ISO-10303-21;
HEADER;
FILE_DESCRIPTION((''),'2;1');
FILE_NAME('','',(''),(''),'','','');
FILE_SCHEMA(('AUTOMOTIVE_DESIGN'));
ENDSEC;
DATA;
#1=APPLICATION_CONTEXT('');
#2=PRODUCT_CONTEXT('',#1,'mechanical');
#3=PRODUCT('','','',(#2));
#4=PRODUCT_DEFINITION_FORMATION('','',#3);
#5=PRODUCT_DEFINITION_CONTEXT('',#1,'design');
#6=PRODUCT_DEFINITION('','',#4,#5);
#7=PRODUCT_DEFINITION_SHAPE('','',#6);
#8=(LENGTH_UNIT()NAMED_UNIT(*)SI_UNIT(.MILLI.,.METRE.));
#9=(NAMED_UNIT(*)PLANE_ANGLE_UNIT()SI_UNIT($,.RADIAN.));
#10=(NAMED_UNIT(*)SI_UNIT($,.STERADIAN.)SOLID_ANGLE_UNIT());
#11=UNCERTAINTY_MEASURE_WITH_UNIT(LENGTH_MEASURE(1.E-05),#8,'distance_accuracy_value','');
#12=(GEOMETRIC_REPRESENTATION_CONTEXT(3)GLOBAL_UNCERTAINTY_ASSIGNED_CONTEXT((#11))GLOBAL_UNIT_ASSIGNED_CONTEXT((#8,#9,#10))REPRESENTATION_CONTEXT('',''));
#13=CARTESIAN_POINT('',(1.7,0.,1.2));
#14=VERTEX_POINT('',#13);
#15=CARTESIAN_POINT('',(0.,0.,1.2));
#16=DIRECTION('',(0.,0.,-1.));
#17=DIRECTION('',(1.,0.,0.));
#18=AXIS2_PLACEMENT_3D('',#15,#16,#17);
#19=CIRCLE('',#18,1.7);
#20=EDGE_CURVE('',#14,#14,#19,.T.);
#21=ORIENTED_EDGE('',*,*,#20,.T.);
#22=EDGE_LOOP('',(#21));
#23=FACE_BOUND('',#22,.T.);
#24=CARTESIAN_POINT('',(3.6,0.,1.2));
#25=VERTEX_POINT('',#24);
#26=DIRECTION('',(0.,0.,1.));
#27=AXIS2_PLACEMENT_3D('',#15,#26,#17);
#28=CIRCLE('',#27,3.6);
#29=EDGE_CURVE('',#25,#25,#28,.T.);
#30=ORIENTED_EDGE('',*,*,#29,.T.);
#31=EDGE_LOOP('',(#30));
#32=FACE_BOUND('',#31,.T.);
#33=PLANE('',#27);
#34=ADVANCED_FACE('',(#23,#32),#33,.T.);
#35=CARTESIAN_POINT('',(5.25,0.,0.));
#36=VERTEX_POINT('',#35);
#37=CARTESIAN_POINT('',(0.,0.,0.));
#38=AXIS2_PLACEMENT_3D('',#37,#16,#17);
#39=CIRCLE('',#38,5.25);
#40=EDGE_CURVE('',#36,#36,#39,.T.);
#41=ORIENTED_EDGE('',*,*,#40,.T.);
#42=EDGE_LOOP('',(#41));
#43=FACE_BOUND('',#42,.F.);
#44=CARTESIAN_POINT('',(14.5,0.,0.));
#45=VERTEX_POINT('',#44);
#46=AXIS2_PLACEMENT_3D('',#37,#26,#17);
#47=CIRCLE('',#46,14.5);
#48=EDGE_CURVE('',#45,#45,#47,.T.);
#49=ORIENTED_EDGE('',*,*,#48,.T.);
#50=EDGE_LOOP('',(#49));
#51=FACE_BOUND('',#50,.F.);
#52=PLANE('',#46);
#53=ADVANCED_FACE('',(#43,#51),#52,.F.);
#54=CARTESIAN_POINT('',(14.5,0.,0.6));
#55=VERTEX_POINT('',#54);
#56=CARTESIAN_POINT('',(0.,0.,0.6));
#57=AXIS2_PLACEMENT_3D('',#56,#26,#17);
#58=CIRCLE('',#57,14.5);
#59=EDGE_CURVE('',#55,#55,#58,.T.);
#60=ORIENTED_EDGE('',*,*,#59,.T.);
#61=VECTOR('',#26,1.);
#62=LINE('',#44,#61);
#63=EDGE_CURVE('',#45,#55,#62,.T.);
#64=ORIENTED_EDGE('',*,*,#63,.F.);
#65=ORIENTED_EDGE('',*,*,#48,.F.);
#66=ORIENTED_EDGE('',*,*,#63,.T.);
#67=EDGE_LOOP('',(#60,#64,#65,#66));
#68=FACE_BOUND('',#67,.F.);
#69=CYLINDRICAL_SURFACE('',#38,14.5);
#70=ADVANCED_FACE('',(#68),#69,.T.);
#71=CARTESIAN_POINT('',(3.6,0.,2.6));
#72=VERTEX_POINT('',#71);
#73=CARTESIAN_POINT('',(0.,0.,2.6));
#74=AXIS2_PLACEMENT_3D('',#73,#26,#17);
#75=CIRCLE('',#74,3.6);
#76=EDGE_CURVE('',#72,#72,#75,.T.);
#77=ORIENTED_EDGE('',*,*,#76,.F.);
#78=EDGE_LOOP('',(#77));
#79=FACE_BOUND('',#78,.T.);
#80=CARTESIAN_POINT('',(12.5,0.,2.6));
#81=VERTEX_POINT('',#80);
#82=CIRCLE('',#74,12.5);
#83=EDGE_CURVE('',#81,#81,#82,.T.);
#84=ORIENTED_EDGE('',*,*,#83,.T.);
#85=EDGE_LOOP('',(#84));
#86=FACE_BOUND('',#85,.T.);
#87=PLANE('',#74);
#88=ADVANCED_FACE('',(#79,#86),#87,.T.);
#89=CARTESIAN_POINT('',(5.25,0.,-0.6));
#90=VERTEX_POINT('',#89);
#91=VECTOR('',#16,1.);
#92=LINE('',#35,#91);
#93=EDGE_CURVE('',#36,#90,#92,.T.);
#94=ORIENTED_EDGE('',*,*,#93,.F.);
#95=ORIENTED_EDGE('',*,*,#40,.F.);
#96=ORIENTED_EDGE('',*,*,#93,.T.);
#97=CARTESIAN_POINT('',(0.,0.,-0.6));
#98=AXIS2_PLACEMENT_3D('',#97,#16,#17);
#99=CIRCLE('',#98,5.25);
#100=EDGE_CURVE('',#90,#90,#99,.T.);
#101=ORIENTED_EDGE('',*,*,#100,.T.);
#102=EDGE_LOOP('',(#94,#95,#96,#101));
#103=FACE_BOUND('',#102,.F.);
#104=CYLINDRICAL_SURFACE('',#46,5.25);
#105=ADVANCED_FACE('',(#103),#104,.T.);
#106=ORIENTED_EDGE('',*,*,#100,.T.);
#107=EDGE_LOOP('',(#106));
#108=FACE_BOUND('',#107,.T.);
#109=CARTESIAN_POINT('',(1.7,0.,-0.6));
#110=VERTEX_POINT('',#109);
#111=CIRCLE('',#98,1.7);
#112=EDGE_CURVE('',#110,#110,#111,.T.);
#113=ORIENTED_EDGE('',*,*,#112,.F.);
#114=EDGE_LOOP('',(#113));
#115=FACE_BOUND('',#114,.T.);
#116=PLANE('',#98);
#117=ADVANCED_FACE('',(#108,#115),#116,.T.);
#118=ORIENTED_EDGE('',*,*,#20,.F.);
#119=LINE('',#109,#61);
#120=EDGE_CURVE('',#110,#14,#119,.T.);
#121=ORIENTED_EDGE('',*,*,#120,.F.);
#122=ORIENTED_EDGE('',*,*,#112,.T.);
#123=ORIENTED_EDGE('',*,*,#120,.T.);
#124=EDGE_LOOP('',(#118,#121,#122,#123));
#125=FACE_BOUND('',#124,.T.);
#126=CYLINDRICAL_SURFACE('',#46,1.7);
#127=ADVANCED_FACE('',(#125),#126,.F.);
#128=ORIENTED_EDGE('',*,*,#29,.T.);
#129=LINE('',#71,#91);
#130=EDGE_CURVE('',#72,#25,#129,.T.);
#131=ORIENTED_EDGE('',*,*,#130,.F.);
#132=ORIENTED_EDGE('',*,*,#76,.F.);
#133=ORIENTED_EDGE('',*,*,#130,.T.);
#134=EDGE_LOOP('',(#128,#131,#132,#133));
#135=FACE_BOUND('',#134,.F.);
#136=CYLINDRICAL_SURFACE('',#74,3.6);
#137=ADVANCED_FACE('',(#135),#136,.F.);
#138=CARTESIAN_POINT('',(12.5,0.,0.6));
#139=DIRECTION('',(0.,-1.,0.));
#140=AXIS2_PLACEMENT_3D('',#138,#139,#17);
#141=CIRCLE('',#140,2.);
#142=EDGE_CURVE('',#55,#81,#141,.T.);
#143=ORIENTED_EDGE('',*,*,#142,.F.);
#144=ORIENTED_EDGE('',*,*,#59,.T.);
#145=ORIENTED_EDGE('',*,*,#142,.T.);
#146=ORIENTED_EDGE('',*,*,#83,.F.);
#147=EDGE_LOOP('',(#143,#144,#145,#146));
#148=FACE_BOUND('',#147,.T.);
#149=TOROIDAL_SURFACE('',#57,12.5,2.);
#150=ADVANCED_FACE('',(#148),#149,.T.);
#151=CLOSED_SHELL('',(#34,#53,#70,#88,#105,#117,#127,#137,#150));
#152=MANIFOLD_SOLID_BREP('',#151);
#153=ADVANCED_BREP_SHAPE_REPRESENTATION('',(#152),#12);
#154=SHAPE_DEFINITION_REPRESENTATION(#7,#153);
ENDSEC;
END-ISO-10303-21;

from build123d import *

# Parameters (mm, degrees)
SKETCH005_R     = 14.5
SKETCH005_R_2   = 1.7
PAD004_DEPTH    = 2.6
SKETCH006_R     = 3.6
POCKET001_DEPTH = 1.4
FILLET_R        = 2
SKETCH010_R     = 5.25
SKETCH010_R_2   = 1.7
PAD007_DEPTH    = 0.6


with BuildPart() as part:
    # Sketch005 → Pad004 (new body)
    with BuildSketch(Plane.XY):
        Circle(SKETCH005_R)
        Circle(SKETCH005_R_2, mode=Mode.SUBTRACT)
    extrude(amount=PAD004_DEPTH)

    # Sketch006 (on Face4 of Pad004) → Pocket001 (cut)
    with BuildSketch(Plane.XY.offset(2.6)):
        Circle(SKETCH006_R)
    extrude(amount=-POCKET001_DEPTH, mode=Mode.SUBTRACT)

    # Fillet
    fillet_edges = [part.edges().sort_by_distance(p)[0] for p in [
        (-14.5, 0, 2.6),
    ]]
    fillet(fillet_edges, radius=FILLET_R)

    # Sketch010 (on Face3 of Fillet) → Pad007 (join)
    with BuildSketch(Plane(origin=(0, 0, 0), x_dir=(1, 0, 0), z_dir=(0, 0, -1))):
        Circle(SKETCH010_R)
        Circle(SKETCH010_R_2, mode=Mode.SUBTRACT)
    extrude(amount=PAD007_DEPTH)


solid = part.part
